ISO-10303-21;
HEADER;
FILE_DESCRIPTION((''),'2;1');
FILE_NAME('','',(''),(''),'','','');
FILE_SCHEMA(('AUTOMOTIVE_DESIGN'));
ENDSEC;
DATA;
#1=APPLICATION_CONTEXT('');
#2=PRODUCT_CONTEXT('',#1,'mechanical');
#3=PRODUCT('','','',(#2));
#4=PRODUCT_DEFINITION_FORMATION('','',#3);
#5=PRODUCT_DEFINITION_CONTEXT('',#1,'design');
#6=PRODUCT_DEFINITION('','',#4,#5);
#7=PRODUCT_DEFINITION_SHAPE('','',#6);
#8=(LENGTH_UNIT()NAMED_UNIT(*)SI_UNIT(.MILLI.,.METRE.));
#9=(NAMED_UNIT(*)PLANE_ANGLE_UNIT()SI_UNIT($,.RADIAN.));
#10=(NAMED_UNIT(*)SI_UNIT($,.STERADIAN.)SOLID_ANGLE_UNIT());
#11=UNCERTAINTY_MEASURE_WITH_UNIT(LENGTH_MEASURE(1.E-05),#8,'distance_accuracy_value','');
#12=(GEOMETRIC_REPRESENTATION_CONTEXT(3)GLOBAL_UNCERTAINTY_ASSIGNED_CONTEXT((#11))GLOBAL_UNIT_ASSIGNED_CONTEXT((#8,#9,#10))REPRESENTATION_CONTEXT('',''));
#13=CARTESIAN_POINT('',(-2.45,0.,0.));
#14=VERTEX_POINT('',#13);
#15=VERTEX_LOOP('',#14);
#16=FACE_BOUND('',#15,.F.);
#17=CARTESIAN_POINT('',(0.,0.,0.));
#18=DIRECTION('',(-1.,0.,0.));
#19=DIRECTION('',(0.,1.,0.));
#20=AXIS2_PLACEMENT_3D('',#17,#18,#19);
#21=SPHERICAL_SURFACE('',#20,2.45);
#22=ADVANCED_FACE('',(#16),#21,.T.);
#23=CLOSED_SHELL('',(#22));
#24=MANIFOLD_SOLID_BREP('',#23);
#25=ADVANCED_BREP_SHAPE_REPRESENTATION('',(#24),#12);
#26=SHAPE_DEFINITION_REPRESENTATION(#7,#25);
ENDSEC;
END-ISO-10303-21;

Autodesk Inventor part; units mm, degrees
ref_plane "YZ Plane" through (0, 0, 0) normal (1, 0, 0) x (0, 1, 0)
ref_plane "XZ Plane" through (0, 0, 0) normal (0, 1, 0) x (-1, 0, 0)
ref_plane "XY Plane" through (0, 0, 0) normal (0, 0, 1) x (1, 0, 0)
sketch "Skizze1" plane through (0, 0, 0) normal (0, 0, 1) x (1, 0, 0)
  arc A0 (2.45, 0) -> (-2.45, 0) centre (0, 0) ccw
  line L0 (-2.45, 0) -> (2.45, 0)
  dimension "d0" = 2.45
revolve "Umdrehung1" add sketch "Skizze1" angle 360 about axis through (-2.45, 0, 0) along (1, 0, 0)
properties part number "00_Ballmagnet_5mm"
